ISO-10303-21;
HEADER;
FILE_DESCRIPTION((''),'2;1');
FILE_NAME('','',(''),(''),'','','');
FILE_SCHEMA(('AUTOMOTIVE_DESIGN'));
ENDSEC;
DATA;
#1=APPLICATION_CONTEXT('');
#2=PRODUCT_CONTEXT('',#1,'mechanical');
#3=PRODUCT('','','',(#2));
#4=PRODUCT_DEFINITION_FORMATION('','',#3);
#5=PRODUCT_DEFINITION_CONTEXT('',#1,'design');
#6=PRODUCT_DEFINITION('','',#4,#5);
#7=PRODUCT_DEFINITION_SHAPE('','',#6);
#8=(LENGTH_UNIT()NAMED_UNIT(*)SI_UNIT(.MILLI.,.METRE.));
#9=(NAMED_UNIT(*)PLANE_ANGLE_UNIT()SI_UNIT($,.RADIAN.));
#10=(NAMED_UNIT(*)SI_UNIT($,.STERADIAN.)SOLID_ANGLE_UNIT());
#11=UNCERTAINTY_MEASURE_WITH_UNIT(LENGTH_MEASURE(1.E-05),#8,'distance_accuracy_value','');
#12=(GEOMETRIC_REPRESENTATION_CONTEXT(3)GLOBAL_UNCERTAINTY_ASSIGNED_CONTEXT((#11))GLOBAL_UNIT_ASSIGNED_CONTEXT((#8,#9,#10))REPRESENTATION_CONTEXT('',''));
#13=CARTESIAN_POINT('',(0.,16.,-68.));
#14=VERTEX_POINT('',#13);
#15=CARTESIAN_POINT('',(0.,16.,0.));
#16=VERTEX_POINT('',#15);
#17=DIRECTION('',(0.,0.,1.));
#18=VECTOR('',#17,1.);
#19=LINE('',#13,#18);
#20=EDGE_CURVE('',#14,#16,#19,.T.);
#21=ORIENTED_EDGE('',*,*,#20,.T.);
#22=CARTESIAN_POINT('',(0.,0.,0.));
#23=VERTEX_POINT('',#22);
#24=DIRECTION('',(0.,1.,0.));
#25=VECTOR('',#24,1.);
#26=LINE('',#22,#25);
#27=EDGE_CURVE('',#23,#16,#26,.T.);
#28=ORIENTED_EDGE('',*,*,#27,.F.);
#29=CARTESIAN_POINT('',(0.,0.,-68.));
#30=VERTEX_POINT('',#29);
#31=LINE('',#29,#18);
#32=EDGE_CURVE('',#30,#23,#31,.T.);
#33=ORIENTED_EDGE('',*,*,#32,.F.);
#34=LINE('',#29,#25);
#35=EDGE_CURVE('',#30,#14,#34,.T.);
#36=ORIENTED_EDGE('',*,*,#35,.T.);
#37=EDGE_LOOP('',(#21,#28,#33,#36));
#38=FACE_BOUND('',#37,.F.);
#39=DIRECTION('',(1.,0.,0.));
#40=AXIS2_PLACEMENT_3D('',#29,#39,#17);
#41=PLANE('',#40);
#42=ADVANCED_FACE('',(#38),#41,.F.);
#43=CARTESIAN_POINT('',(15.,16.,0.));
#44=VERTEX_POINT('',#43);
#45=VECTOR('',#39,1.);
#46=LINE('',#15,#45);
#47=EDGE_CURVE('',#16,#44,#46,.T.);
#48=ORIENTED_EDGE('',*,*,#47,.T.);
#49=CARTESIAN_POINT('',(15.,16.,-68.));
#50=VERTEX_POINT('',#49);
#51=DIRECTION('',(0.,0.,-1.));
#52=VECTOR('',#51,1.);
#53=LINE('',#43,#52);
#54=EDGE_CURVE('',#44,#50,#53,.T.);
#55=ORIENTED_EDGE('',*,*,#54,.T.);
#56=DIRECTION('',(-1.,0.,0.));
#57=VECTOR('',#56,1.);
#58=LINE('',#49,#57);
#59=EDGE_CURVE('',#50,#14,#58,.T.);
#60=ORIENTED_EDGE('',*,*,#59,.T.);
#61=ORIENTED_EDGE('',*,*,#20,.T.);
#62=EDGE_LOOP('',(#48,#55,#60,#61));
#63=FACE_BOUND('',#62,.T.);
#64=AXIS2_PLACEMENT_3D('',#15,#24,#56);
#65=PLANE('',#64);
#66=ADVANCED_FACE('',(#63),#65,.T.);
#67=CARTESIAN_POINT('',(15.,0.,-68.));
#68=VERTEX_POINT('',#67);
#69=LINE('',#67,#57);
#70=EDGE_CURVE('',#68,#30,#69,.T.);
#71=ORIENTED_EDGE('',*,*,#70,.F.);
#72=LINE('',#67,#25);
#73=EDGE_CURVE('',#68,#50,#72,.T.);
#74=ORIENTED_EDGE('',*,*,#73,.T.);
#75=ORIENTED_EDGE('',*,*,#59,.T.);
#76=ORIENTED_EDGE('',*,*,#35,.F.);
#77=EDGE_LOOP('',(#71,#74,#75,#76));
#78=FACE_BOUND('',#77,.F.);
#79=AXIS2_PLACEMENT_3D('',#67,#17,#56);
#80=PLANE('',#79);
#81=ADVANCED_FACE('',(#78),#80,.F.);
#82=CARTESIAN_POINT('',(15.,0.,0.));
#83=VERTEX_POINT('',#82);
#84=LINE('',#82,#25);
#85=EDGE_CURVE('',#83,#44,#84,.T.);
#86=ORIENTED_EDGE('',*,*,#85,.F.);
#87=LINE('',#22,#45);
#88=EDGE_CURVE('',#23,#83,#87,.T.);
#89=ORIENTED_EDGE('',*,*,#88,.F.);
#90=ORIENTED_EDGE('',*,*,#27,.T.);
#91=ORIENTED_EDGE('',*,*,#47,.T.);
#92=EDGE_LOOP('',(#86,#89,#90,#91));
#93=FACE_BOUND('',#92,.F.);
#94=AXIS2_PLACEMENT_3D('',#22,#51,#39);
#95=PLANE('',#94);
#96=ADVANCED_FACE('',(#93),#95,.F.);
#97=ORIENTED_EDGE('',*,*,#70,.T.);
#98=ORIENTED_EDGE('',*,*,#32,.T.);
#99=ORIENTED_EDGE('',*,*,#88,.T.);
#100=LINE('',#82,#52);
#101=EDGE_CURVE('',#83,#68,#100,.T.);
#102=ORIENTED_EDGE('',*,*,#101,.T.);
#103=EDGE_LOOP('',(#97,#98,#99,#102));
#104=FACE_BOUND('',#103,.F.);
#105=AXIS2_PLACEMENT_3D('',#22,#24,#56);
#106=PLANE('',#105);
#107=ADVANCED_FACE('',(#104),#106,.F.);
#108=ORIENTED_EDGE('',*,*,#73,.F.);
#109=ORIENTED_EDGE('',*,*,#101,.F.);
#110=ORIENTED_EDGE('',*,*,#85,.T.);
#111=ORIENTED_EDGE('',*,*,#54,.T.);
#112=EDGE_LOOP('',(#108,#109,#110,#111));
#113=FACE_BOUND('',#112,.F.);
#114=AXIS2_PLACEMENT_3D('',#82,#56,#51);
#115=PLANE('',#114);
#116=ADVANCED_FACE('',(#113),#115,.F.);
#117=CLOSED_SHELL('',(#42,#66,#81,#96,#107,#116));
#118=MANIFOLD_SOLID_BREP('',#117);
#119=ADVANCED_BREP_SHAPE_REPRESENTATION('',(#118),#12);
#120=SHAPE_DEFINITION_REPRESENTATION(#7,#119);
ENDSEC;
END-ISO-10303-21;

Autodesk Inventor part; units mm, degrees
ref_plane "YZ Plane" through (0, 0, 0) normal (1, 0, 0) x (0, 1, 0)
ref_plane "XZ Plane" through (0, 0, 0) normal (0, 1, 0) x (-1, 0, 0)
ref_plane "XY Plane" through (0, 0, 0) normal (0, 0, 1) x (1, 0, 0)
sketch "Sketch1" plane through (0, 0, 0) normal (0, 1, 0) x (-1, 0, 0)
  line L0 (0, 0) -> (-15, 0)
  line L1 (-15, 0) -> (-15, -68)
  line L2 (-15, -68) -> (0, -68)
  line L3 (0, -68) -> (0, 0)
  dimension "d0" = 15
  dimension "d1" = 68
extrude "Extrusion1" add sketch "Sketch1" along normal blind 16
properties part number "smolLipo"
